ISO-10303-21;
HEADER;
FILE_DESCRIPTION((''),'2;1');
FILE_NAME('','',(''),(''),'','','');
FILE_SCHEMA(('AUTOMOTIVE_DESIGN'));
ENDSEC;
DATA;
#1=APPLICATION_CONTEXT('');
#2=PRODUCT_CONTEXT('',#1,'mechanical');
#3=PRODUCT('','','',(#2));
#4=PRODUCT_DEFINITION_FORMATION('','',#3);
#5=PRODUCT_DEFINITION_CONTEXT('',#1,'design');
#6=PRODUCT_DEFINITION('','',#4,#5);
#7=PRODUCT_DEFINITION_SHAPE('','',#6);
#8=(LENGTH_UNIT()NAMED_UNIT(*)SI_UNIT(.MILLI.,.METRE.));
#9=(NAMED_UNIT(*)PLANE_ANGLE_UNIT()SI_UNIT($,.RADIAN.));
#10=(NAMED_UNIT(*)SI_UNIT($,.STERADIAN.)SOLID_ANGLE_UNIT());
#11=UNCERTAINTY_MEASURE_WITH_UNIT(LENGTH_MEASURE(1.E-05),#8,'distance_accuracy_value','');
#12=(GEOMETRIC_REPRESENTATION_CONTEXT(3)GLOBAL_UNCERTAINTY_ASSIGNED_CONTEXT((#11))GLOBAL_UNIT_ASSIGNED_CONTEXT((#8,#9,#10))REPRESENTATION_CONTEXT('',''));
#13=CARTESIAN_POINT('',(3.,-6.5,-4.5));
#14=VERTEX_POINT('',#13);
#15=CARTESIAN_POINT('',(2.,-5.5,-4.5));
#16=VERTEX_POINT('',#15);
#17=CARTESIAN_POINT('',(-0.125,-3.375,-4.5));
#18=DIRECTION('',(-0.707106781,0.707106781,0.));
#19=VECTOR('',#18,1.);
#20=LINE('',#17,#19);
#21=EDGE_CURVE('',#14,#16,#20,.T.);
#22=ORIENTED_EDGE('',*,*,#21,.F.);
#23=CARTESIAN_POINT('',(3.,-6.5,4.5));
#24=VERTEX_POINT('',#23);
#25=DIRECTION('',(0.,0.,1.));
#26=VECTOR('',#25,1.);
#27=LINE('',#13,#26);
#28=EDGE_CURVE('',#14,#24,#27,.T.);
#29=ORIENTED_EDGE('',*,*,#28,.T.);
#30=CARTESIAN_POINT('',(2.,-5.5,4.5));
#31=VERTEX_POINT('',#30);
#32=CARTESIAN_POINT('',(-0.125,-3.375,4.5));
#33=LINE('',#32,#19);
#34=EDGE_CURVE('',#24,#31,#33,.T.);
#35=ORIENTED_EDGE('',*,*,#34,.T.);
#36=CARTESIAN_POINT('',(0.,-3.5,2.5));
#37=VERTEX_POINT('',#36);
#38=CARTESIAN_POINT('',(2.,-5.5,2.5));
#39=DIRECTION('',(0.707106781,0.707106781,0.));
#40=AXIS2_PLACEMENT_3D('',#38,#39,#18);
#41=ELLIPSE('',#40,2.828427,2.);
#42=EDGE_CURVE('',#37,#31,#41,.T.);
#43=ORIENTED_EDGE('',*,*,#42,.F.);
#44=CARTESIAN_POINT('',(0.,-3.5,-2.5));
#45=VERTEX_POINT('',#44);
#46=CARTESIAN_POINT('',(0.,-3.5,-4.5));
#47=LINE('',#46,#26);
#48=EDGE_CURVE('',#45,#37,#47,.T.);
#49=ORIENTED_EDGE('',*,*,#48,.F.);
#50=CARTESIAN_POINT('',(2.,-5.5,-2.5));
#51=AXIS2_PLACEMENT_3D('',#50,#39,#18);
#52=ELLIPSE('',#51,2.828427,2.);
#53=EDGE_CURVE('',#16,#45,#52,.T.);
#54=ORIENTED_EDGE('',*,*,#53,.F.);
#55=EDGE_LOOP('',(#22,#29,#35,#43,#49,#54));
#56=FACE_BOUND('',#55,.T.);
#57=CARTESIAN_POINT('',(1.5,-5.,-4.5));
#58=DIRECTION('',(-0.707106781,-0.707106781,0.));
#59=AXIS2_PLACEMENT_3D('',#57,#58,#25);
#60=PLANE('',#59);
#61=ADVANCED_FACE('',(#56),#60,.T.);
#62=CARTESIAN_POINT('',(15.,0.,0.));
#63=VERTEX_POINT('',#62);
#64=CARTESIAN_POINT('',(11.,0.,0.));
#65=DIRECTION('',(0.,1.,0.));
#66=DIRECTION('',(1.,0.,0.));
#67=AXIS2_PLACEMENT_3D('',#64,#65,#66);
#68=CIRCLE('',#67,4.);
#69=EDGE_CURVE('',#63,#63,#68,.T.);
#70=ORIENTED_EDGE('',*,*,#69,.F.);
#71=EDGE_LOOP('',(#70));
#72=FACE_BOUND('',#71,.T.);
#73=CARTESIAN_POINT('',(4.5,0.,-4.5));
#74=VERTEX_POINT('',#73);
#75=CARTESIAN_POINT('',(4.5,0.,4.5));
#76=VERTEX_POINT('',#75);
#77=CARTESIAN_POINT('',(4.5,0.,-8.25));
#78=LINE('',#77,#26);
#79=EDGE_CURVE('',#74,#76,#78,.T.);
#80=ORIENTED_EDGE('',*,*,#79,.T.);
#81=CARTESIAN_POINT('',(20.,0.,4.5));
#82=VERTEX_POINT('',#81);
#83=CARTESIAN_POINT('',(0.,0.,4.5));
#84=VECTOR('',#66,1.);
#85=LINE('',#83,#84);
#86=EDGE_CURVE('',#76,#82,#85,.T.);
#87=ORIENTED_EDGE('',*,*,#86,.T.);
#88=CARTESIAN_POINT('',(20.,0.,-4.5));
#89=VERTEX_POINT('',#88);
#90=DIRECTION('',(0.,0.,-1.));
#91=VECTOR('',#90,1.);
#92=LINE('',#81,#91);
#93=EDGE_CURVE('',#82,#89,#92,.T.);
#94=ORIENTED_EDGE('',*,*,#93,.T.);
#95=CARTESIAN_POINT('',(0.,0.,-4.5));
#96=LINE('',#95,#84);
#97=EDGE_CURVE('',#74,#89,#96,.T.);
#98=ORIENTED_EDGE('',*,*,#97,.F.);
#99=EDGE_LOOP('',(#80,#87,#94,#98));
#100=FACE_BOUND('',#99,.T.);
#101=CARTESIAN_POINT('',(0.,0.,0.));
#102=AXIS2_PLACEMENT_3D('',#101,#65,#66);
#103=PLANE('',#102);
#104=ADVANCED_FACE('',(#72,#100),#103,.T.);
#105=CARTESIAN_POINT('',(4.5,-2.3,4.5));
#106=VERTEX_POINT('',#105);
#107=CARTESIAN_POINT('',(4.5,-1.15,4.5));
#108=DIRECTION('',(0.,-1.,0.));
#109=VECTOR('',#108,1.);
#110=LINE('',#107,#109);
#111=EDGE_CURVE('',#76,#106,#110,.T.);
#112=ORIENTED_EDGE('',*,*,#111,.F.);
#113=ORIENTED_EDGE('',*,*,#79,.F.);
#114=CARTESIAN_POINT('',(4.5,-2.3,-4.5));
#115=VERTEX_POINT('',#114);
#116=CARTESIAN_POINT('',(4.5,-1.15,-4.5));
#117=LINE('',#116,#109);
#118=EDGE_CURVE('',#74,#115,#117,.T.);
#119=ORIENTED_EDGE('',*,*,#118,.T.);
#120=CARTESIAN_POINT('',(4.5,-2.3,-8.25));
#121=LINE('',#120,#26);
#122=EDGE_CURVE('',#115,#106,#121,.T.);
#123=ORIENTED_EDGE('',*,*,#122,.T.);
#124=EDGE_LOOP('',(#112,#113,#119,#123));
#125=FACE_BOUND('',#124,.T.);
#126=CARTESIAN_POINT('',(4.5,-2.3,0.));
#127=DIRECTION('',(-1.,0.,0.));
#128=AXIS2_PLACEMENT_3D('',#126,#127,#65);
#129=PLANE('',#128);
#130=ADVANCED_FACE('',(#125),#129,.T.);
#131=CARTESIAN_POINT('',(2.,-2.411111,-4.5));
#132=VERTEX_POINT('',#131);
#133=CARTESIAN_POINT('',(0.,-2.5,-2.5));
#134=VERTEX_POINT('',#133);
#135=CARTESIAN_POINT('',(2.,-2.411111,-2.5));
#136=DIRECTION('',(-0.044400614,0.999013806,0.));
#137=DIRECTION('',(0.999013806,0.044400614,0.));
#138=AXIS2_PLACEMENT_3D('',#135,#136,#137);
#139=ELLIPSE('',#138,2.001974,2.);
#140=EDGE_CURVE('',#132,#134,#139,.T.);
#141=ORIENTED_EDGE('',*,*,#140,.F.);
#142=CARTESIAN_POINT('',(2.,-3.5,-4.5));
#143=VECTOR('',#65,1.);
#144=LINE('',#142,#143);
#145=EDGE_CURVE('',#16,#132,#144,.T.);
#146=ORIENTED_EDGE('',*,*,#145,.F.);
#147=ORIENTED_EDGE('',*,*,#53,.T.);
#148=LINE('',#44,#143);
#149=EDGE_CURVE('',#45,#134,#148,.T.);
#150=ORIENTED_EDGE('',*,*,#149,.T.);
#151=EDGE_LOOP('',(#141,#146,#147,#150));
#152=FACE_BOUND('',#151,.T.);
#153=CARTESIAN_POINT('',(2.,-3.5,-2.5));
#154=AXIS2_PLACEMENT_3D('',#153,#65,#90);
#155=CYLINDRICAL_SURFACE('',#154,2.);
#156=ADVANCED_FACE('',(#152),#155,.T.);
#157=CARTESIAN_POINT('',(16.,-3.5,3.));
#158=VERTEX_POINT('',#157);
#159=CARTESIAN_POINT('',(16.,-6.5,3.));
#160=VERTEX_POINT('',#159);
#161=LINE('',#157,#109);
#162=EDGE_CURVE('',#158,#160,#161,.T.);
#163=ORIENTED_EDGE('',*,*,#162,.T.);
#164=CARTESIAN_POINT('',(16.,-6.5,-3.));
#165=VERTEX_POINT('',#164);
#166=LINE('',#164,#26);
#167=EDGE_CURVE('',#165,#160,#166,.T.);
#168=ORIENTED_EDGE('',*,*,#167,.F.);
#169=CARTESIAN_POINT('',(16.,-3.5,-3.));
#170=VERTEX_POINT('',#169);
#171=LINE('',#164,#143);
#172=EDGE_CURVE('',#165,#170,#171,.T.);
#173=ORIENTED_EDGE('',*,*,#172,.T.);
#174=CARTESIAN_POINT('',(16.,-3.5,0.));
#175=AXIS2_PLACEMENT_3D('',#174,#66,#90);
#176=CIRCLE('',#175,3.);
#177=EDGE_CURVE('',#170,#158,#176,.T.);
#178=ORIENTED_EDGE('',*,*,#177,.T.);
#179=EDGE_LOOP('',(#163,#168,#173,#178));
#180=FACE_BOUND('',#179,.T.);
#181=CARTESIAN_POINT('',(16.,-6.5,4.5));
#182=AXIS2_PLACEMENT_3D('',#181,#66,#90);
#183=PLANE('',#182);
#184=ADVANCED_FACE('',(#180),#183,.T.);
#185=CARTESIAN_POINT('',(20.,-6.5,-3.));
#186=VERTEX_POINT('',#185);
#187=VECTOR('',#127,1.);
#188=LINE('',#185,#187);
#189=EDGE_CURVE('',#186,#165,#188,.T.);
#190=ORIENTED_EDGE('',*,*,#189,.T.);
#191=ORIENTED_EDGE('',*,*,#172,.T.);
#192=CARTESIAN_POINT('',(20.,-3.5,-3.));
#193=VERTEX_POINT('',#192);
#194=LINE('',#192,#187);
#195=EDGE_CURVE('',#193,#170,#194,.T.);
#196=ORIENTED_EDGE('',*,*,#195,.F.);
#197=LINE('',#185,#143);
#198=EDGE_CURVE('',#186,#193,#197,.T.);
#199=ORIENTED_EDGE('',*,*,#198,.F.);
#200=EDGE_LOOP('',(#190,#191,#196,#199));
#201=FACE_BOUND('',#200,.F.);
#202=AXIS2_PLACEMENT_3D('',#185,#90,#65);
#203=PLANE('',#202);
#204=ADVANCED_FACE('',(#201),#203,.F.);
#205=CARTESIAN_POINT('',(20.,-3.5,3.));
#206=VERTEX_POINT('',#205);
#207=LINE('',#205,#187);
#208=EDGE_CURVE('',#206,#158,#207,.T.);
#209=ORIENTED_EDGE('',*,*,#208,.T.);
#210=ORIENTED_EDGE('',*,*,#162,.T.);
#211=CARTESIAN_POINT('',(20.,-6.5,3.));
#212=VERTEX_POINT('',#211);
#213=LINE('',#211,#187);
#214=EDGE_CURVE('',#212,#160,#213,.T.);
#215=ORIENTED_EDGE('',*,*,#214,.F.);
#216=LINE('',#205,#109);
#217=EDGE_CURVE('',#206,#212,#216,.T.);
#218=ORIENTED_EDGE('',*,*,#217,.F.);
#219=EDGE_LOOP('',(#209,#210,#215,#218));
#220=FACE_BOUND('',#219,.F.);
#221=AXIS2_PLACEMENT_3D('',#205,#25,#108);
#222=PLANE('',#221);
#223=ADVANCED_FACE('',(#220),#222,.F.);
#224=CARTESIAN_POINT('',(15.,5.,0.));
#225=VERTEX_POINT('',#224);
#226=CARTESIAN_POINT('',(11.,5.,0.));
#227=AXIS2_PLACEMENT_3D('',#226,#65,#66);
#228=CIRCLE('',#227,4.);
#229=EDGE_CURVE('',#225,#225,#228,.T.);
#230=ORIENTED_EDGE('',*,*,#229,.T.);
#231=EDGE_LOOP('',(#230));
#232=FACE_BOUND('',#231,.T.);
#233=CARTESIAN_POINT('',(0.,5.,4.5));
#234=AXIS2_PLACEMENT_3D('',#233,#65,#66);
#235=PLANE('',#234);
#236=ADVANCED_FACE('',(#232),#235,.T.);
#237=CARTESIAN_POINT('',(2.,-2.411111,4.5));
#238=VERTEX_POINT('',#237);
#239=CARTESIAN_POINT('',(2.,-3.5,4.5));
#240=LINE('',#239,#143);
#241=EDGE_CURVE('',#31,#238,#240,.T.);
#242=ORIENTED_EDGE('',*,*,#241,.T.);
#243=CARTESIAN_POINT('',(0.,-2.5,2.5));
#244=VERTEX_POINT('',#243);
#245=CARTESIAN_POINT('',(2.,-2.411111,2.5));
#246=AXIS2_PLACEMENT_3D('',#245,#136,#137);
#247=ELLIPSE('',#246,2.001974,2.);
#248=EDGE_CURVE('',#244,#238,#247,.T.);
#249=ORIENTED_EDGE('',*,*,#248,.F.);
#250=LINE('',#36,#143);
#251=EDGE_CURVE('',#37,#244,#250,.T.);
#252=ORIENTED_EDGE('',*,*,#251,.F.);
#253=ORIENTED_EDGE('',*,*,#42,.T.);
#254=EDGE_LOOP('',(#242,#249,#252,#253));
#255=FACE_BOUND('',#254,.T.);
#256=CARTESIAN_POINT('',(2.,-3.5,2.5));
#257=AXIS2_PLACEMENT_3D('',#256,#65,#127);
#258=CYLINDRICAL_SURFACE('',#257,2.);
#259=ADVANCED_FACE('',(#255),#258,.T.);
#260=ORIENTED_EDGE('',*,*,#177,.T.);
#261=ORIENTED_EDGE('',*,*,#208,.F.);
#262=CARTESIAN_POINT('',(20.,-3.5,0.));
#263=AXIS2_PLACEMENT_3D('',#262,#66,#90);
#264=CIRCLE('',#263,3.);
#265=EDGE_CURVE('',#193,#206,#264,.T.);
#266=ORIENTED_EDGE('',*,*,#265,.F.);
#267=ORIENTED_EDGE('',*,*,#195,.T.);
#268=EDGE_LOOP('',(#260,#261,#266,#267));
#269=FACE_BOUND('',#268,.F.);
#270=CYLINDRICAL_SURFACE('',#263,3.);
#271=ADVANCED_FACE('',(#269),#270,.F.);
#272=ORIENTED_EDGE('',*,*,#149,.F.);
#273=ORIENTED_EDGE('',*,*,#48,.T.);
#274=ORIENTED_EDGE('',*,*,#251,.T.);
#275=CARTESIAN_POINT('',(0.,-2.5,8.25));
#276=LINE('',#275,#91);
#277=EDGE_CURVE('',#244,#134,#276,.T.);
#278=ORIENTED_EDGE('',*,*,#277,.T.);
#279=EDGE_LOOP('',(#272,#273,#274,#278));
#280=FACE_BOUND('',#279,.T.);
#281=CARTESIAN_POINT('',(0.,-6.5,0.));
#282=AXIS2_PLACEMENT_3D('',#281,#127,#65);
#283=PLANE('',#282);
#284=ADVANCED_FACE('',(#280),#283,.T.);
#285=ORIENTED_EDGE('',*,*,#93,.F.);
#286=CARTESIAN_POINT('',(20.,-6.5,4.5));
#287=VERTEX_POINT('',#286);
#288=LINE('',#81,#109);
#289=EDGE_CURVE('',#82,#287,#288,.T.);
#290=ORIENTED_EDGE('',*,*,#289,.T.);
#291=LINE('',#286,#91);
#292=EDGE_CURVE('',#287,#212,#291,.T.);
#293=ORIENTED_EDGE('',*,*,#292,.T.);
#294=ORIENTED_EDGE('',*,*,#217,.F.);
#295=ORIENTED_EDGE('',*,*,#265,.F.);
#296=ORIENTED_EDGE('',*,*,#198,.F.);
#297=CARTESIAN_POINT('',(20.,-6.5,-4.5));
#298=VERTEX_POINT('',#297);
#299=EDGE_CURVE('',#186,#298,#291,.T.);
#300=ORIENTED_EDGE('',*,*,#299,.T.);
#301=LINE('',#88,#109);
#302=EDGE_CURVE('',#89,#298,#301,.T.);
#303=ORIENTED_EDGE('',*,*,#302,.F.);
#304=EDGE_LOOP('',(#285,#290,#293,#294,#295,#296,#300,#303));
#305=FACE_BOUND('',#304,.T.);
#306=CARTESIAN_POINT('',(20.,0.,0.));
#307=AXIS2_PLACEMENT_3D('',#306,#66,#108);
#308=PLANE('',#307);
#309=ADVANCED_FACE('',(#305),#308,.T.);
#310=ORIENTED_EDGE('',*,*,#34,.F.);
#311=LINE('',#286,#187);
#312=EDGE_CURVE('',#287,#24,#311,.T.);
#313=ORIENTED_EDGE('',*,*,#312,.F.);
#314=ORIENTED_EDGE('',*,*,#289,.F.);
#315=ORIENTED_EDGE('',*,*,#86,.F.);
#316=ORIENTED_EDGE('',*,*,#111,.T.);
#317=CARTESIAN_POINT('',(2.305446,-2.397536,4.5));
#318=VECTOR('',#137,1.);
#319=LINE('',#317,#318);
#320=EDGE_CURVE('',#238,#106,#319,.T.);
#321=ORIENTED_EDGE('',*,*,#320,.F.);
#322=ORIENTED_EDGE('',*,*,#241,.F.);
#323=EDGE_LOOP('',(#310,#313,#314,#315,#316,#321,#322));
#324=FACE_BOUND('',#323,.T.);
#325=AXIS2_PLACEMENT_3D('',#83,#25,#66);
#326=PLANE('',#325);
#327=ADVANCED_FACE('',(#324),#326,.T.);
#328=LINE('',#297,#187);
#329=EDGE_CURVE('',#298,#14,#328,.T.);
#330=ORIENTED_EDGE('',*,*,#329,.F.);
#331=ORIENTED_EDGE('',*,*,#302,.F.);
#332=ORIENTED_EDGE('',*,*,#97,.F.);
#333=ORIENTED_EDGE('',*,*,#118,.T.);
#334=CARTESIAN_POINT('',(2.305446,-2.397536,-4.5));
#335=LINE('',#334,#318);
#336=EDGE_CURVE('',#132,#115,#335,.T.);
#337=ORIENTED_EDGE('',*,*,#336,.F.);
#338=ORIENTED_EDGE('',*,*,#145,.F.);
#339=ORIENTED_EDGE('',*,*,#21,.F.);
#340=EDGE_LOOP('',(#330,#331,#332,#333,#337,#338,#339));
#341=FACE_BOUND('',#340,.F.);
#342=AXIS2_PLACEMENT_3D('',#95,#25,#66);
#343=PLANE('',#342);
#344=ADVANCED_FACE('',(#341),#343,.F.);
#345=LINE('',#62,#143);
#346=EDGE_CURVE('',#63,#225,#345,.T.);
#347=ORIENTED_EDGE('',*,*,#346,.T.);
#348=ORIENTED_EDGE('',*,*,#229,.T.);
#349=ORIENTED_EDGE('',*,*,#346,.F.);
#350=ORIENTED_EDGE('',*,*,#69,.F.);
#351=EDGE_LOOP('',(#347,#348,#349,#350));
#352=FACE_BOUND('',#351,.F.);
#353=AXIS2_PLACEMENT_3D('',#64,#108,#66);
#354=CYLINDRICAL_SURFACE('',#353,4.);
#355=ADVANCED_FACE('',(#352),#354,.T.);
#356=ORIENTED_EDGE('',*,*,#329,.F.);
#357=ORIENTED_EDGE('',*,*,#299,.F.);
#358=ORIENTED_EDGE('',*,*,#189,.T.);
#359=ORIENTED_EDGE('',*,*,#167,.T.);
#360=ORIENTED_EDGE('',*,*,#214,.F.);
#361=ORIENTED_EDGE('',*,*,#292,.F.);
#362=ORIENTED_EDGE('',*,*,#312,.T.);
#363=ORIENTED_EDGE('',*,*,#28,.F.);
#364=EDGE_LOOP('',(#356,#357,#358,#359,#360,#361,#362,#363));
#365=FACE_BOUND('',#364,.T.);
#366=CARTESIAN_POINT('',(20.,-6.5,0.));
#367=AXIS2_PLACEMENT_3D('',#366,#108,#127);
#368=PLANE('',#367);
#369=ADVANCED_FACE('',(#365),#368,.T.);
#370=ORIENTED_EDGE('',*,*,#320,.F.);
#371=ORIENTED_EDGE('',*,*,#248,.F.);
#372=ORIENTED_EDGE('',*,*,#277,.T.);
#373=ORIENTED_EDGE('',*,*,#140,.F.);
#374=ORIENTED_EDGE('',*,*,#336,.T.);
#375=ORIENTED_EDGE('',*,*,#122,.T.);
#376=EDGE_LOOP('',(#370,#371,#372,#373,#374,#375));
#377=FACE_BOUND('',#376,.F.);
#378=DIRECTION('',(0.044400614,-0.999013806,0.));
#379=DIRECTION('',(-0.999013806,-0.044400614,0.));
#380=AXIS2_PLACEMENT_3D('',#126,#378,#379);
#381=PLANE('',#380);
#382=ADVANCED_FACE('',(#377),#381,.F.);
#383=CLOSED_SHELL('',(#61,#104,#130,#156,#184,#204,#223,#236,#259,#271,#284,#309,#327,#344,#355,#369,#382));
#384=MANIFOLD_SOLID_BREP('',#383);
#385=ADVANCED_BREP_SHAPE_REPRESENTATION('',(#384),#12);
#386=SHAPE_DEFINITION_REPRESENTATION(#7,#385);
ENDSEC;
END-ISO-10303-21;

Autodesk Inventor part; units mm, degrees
ref_plane "YZ Plane" through (0, 0, 0) normal (1, 0, 0) x (0, 1, 0)
ref_plane "XZ Plane" through (0, 0, 0) normal (0, 1, 0) x (-1, 0, 0)
ref_plane "XY Plane" through (0, 0, 0) normal (0, 0, 1) x (1, 0, 0)
sketch "Skizze21" plane through (0, 0, 0) normal (0, 0, 1) x (1, 0, 0)
  line L0 (0, 0) -> (20, 0)
  line L1 (20, 0) -> (20, -6.5)
  line L2 (20, -6.5) -> (0, -6.5)
  line L3 (0, -6.5) -> (0, 0)
  dimension "d73" = 6.5
  dimension "d74" = 20
extrude "Extrusion16" add sketch "Skizze21" along normal mid plane 9
sketch "Skizze24" plane through (0, 0, 0) normal (0, 0, 1) x (1, 0, 0)
  line L0 (4.5, -2.3) -> (4.5, 0)
  line L1 (4.5, 0) -> (0, 0)
  line L2 (0, 0) -> (0, -2.5)
  line L3 (20, 0) -> (0, 0) projected
  line L4 (0, 0) -> (0, -6.5) projected
  line L5 (4.5, -2.3) -> (0, -2.5)
  dimension "d92" = 4.5
  dimension "d101" = 2.3
  dimension "d102" = 2.5
extrude "Extrusion19" cut sketch "Skizze24" along normal mid plane 16.5
sketch "Skizze23" plane through (0, 0, 4.5) normal (0, 1, 0) x (1, 0, 0)
  line L0 (0, 4.5) -> (36.014, 4.5) construction
  circle A0 centre (11, 4.5) radius 4
  line L1 (0, 0) -> (0, 9) projected
  line L2 (4.5, 9) -> (4.5, 0) projected
  dimension "d87" = 8
  dimension "d96" = 6.5
extrude "Extrusion18" add sketch "Skizze23" along normal blind 5
chamfer "Fasen2" distance 3 angle 45 1 edges at (0, -6.5, 0)
fillet "Rundung11" radius 2 2 edges at (0, -3, 4.5) (0, -3, -4.5)
sketch "Skizze25" plane through (20, -6.5, 4.5) normal (1, 0, 0) x (0, 0, -1)
  line L0 (9, 6.5) -> (0, 6.5) projected
  line L1 (9, 6.5) -> (9, 0) projected
  circle A0 centre (4.5, 3) radius 3
  line L2 (4.5, 6.5) -> (4.5, 0) construction
  line L3 (9, 0) -> (0, 0) projected
  line L4 (1.5, 3) -> (1.5, 0)
  line L5 (7.5, 0) -> (7.5, 3)
  dimension "d106" = 6
extrude "Extrusion20" cut sketch "Skizze25" against normal blind 4
properties part number "P_handle"
